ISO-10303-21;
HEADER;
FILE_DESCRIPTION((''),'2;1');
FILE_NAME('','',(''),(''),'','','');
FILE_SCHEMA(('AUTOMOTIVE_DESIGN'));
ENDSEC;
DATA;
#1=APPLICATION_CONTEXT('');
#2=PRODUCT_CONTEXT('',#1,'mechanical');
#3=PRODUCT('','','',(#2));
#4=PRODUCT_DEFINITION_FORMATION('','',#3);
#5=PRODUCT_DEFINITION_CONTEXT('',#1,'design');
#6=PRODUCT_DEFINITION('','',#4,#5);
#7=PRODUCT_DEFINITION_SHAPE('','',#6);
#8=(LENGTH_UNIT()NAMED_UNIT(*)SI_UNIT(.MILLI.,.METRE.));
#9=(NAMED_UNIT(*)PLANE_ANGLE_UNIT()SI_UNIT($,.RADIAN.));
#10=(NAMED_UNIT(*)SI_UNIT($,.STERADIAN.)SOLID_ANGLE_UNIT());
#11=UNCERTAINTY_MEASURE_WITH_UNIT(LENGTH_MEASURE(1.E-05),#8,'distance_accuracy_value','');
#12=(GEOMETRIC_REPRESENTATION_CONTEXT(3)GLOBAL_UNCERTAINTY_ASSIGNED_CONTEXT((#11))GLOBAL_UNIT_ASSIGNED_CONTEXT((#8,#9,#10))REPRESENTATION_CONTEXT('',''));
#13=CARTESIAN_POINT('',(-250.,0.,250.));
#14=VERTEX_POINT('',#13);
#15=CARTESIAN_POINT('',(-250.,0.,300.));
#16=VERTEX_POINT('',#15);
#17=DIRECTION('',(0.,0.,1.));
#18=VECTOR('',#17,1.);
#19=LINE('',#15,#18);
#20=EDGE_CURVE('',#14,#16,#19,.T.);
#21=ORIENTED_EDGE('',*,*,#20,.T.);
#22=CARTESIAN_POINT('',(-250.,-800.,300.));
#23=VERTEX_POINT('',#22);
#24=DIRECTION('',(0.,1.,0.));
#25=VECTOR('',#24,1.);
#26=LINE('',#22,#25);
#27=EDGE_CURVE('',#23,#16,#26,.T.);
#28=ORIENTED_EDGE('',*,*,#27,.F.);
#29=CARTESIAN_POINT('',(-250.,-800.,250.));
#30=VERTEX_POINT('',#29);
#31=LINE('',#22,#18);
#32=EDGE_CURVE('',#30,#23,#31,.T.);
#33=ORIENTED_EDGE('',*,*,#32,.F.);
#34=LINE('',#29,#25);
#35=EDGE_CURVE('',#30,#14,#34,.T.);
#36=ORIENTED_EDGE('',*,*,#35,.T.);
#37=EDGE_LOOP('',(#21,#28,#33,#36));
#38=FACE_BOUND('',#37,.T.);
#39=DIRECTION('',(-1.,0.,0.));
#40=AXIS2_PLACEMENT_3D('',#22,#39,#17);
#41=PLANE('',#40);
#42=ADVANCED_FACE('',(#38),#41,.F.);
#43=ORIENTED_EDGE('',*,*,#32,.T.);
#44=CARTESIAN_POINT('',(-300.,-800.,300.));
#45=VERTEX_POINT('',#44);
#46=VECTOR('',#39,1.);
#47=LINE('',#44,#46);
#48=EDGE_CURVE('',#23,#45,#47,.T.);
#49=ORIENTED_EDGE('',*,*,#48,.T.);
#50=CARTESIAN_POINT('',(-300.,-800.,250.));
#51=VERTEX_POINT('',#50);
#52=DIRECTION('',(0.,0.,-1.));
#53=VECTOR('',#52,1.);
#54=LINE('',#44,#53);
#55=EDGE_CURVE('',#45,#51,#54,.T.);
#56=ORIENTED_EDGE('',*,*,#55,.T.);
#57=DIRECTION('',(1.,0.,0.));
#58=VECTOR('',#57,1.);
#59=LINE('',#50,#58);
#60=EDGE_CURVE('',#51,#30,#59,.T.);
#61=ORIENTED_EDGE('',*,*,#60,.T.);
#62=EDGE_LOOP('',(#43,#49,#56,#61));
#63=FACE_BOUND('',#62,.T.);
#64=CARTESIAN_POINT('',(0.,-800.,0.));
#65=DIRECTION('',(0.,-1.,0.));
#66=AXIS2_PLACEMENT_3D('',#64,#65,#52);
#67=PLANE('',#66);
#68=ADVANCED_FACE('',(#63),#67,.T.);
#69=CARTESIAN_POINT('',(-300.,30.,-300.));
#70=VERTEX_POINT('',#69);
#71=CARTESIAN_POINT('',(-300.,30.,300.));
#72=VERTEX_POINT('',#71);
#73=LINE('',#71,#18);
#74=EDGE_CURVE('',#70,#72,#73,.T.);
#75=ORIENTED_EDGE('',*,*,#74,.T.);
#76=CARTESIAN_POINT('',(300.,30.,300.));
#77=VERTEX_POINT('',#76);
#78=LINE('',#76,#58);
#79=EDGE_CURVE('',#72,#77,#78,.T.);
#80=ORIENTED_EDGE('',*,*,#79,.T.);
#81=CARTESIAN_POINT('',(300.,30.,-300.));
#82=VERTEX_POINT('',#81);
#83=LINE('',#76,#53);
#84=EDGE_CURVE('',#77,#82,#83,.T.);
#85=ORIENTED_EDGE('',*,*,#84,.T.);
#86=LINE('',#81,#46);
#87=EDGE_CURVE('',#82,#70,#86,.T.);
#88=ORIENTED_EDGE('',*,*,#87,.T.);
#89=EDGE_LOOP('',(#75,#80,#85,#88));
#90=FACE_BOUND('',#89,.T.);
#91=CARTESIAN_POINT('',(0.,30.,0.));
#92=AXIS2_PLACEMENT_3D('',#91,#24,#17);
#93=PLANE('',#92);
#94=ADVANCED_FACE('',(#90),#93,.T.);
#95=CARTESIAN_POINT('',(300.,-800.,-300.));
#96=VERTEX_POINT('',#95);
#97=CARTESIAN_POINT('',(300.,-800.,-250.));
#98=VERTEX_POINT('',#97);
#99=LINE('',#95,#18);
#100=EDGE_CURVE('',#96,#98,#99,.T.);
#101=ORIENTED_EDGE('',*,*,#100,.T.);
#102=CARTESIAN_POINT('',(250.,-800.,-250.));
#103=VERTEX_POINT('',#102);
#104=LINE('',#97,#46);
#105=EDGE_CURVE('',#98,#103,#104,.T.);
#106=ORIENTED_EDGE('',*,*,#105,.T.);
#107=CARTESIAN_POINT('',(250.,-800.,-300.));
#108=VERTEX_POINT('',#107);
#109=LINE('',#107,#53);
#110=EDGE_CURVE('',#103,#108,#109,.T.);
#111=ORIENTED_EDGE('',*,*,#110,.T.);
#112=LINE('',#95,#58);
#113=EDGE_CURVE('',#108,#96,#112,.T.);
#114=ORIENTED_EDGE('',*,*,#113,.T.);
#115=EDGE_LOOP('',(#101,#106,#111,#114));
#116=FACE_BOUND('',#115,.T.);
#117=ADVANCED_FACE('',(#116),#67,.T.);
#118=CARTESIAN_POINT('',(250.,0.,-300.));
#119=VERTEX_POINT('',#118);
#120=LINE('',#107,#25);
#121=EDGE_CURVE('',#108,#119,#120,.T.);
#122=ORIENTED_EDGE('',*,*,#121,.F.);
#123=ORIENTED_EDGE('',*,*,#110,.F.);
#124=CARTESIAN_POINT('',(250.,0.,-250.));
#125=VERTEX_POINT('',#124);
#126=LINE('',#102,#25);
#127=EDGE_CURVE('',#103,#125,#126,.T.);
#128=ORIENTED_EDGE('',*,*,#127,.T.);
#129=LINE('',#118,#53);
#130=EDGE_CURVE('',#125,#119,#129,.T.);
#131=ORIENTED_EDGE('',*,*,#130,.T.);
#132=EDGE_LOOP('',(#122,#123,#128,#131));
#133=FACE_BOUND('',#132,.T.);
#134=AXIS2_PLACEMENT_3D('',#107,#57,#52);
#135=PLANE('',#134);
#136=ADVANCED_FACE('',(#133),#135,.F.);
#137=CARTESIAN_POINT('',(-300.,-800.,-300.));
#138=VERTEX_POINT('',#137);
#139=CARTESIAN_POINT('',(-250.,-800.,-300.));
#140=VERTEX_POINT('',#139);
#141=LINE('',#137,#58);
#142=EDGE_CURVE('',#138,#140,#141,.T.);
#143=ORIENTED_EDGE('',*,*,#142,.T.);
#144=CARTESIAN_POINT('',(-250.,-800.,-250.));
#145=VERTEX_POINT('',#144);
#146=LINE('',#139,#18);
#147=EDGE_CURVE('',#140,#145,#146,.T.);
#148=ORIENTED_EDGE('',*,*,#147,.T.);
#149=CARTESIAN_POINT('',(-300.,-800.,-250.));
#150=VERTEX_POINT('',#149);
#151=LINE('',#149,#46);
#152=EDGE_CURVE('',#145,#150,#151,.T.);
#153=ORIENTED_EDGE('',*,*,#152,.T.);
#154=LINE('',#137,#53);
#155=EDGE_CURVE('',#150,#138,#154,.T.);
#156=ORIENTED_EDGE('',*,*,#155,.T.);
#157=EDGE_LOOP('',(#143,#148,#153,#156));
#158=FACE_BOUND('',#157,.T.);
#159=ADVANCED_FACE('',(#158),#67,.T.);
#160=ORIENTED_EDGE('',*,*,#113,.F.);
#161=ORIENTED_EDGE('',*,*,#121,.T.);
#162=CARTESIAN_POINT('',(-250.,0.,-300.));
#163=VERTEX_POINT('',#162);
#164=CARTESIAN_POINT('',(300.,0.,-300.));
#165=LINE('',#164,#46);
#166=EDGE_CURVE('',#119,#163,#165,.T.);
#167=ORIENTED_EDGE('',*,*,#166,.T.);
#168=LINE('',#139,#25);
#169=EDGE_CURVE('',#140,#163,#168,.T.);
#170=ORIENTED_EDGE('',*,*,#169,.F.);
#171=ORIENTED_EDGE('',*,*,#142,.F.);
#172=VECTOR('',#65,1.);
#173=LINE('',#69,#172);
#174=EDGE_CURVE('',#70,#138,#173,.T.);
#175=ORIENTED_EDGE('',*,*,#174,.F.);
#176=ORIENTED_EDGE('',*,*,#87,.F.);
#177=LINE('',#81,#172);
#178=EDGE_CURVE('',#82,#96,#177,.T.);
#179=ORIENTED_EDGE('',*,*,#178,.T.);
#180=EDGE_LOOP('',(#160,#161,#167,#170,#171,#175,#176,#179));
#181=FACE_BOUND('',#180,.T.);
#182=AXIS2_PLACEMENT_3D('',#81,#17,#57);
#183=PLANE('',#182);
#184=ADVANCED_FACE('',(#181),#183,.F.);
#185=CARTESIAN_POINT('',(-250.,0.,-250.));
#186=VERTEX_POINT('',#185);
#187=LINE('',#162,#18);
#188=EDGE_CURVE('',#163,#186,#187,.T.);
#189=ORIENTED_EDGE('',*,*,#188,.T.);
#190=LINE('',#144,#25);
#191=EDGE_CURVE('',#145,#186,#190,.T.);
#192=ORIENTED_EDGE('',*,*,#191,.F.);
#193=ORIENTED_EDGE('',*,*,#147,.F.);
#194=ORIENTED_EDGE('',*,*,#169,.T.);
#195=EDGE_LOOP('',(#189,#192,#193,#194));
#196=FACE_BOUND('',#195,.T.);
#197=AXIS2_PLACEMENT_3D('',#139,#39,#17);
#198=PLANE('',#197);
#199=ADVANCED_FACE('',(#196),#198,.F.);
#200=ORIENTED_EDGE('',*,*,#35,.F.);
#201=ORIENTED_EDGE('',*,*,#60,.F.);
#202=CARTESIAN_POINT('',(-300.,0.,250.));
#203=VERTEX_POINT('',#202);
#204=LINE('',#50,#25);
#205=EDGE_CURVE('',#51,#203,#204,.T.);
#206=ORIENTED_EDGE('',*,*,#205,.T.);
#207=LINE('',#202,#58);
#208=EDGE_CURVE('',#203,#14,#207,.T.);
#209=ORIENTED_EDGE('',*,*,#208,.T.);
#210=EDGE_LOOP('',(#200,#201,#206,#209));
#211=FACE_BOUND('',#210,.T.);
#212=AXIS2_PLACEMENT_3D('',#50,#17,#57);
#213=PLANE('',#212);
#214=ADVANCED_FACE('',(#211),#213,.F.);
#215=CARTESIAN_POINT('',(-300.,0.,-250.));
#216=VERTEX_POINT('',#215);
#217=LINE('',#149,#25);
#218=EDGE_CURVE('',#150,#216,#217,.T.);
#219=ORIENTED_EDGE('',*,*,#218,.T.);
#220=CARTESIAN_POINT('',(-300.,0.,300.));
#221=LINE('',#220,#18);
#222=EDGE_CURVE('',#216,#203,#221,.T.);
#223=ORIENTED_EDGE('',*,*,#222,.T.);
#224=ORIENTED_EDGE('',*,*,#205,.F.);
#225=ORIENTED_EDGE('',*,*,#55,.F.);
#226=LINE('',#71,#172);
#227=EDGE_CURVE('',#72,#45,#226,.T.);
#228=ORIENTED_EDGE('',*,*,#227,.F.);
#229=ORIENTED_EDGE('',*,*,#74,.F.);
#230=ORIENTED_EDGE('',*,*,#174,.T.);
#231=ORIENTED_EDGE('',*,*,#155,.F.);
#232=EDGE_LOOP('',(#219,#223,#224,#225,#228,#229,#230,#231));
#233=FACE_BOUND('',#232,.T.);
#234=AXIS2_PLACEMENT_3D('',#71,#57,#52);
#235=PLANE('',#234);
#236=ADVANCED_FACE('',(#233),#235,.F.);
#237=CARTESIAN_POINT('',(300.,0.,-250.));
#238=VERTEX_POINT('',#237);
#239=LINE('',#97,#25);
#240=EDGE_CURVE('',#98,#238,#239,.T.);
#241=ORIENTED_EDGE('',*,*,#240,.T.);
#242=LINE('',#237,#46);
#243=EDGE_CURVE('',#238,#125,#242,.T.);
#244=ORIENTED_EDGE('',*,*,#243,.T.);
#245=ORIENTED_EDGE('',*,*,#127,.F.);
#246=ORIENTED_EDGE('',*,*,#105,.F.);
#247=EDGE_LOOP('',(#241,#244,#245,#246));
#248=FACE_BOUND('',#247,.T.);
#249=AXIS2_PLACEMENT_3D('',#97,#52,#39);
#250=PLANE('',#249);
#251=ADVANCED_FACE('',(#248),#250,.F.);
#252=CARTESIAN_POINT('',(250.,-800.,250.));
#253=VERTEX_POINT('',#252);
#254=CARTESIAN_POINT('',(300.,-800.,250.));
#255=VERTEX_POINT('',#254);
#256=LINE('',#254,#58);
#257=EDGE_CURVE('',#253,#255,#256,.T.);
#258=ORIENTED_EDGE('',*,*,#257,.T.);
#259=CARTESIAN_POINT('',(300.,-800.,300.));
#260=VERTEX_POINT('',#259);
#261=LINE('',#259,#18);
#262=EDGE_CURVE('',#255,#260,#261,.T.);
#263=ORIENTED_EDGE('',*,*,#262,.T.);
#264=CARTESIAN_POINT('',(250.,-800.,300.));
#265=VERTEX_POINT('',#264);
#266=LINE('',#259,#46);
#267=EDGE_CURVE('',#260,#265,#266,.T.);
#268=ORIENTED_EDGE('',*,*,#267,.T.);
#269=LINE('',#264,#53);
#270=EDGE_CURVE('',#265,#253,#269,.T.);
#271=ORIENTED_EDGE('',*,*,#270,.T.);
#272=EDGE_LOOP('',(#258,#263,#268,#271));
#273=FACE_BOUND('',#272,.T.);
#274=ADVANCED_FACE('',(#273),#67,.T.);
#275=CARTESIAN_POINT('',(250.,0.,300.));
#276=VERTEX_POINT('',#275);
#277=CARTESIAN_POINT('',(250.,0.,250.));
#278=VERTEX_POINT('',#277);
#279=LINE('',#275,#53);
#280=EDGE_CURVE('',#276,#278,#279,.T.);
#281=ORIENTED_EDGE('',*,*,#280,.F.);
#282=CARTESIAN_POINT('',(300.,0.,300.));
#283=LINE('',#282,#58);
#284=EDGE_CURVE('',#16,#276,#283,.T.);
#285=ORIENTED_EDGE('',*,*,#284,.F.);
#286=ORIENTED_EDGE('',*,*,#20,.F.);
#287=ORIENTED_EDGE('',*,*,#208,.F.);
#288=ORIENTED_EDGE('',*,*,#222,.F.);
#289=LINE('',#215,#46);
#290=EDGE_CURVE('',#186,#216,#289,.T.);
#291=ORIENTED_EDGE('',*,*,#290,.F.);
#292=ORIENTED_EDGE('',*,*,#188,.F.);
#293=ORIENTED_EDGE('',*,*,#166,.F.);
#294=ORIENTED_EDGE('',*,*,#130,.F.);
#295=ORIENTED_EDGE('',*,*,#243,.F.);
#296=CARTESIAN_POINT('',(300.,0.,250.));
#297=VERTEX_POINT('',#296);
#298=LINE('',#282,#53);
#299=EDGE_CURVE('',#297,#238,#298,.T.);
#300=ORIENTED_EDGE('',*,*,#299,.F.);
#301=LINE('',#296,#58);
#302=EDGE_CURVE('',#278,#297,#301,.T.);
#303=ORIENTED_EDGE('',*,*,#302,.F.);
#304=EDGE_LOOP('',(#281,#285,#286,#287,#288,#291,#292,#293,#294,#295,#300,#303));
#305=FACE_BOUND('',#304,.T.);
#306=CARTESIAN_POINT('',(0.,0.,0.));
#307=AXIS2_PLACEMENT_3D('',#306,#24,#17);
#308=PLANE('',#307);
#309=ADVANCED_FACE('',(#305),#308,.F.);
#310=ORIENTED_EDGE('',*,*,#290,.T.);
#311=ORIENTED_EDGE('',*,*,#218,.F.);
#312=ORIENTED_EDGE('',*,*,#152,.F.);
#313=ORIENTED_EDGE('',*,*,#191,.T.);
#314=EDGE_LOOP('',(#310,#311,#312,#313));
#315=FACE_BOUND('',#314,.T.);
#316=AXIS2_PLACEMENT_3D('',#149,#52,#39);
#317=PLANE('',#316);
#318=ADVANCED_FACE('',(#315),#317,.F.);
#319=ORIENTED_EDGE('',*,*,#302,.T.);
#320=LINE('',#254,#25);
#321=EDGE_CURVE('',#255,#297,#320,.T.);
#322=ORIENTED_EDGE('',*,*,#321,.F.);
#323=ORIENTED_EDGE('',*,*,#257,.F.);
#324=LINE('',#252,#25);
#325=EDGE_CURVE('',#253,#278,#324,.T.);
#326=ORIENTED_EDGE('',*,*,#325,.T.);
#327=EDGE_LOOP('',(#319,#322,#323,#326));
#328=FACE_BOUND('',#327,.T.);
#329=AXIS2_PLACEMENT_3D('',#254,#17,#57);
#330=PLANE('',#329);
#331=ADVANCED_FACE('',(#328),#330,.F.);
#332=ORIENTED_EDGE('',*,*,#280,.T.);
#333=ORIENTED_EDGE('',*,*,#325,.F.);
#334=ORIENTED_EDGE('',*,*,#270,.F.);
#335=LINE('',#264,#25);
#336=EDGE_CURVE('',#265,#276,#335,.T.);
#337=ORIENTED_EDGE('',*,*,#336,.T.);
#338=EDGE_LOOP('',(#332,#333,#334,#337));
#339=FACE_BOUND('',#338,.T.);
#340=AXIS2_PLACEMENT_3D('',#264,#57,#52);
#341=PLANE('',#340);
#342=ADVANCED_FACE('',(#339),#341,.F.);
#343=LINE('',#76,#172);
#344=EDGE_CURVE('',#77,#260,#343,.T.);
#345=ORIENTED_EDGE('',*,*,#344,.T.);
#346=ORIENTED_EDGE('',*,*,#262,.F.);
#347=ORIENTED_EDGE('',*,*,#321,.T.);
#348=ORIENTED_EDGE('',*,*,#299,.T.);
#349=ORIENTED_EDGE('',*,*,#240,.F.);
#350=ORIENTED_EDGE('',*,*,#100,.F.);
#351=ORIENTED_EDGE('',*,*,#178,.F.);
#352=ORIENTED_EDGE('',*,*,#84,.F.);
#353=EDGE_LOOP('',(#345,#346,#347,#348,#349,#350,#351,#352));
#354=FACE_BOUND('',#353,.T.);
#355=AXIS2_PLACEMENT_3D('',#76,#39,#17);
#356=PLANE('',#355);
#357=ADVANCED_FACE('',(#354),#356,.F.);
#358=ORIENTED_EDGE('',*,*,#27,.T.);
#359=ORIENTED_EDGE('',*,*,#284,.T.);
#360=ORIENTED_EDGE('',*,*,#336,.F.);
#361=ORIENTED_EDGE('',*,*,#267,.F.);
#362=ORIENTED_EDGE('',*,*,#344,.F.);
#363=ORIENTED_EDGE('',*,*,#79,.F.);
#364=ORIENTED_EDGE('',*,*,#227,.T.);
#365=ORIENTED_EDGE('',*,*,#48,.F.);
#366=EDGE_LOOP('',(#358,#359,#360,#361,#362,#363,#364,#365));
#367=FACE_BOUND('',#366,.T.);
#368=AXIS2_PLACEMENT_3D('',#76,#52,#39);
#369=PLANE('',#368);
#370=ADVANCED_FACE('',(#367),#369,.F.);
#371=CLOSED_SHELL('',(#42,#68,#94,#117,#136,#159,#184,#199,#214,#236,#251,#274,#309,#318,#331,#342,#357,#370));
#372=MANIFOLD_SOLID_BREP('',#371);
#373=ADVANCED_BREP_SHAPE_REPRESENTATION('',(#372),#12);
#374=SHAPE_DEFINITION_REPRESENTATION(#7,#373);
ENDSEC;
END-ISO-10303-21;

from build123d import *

# Parameters (mm, degrees)
SKETCH_1_W      = 600
SKETCH_1_H      = 600
EXTRUDE_1_DEPTH = 30
SKETCH_2_W      = 50
SKETCH_2_H      = 50
EXTRUDE_2_DEPTH = 800


with BuildPart() as part:
    # 草图1 → 凸台-拉伸1 (new body)
    with BuildSketch(Plane(origin=(0, 0, 0), x_dir=(1, 0, 0), z_dir=(0, 1, 0))):
        Rectangle(SKETCH_1_W, SKETCH_1_H)
    extrude(amount=EXTRUDE_1_DEPTH)

    # 草图2 → 凸台-拉伸2 (add)
    with BuildSketch(Plane.XZ):
        with Locations((-275, 275)):
            Rectangle(SKETCH_2_W, SKETCH_2_H)
        with Locations((275, 275)):
            Rectangle(SKETCH_2_W, SKETCH_2_H)
        with Locations((275, -275)):
            Rectangle(SKETCH_2_W, SKETCH_2_H)
        with Locations((-275, -275)):
            Rectangle(SKETCH_2_W, SKETCH_2_H)
    extrude(amount=EXTRUDE_2_DEPTH)


solid = part.part
